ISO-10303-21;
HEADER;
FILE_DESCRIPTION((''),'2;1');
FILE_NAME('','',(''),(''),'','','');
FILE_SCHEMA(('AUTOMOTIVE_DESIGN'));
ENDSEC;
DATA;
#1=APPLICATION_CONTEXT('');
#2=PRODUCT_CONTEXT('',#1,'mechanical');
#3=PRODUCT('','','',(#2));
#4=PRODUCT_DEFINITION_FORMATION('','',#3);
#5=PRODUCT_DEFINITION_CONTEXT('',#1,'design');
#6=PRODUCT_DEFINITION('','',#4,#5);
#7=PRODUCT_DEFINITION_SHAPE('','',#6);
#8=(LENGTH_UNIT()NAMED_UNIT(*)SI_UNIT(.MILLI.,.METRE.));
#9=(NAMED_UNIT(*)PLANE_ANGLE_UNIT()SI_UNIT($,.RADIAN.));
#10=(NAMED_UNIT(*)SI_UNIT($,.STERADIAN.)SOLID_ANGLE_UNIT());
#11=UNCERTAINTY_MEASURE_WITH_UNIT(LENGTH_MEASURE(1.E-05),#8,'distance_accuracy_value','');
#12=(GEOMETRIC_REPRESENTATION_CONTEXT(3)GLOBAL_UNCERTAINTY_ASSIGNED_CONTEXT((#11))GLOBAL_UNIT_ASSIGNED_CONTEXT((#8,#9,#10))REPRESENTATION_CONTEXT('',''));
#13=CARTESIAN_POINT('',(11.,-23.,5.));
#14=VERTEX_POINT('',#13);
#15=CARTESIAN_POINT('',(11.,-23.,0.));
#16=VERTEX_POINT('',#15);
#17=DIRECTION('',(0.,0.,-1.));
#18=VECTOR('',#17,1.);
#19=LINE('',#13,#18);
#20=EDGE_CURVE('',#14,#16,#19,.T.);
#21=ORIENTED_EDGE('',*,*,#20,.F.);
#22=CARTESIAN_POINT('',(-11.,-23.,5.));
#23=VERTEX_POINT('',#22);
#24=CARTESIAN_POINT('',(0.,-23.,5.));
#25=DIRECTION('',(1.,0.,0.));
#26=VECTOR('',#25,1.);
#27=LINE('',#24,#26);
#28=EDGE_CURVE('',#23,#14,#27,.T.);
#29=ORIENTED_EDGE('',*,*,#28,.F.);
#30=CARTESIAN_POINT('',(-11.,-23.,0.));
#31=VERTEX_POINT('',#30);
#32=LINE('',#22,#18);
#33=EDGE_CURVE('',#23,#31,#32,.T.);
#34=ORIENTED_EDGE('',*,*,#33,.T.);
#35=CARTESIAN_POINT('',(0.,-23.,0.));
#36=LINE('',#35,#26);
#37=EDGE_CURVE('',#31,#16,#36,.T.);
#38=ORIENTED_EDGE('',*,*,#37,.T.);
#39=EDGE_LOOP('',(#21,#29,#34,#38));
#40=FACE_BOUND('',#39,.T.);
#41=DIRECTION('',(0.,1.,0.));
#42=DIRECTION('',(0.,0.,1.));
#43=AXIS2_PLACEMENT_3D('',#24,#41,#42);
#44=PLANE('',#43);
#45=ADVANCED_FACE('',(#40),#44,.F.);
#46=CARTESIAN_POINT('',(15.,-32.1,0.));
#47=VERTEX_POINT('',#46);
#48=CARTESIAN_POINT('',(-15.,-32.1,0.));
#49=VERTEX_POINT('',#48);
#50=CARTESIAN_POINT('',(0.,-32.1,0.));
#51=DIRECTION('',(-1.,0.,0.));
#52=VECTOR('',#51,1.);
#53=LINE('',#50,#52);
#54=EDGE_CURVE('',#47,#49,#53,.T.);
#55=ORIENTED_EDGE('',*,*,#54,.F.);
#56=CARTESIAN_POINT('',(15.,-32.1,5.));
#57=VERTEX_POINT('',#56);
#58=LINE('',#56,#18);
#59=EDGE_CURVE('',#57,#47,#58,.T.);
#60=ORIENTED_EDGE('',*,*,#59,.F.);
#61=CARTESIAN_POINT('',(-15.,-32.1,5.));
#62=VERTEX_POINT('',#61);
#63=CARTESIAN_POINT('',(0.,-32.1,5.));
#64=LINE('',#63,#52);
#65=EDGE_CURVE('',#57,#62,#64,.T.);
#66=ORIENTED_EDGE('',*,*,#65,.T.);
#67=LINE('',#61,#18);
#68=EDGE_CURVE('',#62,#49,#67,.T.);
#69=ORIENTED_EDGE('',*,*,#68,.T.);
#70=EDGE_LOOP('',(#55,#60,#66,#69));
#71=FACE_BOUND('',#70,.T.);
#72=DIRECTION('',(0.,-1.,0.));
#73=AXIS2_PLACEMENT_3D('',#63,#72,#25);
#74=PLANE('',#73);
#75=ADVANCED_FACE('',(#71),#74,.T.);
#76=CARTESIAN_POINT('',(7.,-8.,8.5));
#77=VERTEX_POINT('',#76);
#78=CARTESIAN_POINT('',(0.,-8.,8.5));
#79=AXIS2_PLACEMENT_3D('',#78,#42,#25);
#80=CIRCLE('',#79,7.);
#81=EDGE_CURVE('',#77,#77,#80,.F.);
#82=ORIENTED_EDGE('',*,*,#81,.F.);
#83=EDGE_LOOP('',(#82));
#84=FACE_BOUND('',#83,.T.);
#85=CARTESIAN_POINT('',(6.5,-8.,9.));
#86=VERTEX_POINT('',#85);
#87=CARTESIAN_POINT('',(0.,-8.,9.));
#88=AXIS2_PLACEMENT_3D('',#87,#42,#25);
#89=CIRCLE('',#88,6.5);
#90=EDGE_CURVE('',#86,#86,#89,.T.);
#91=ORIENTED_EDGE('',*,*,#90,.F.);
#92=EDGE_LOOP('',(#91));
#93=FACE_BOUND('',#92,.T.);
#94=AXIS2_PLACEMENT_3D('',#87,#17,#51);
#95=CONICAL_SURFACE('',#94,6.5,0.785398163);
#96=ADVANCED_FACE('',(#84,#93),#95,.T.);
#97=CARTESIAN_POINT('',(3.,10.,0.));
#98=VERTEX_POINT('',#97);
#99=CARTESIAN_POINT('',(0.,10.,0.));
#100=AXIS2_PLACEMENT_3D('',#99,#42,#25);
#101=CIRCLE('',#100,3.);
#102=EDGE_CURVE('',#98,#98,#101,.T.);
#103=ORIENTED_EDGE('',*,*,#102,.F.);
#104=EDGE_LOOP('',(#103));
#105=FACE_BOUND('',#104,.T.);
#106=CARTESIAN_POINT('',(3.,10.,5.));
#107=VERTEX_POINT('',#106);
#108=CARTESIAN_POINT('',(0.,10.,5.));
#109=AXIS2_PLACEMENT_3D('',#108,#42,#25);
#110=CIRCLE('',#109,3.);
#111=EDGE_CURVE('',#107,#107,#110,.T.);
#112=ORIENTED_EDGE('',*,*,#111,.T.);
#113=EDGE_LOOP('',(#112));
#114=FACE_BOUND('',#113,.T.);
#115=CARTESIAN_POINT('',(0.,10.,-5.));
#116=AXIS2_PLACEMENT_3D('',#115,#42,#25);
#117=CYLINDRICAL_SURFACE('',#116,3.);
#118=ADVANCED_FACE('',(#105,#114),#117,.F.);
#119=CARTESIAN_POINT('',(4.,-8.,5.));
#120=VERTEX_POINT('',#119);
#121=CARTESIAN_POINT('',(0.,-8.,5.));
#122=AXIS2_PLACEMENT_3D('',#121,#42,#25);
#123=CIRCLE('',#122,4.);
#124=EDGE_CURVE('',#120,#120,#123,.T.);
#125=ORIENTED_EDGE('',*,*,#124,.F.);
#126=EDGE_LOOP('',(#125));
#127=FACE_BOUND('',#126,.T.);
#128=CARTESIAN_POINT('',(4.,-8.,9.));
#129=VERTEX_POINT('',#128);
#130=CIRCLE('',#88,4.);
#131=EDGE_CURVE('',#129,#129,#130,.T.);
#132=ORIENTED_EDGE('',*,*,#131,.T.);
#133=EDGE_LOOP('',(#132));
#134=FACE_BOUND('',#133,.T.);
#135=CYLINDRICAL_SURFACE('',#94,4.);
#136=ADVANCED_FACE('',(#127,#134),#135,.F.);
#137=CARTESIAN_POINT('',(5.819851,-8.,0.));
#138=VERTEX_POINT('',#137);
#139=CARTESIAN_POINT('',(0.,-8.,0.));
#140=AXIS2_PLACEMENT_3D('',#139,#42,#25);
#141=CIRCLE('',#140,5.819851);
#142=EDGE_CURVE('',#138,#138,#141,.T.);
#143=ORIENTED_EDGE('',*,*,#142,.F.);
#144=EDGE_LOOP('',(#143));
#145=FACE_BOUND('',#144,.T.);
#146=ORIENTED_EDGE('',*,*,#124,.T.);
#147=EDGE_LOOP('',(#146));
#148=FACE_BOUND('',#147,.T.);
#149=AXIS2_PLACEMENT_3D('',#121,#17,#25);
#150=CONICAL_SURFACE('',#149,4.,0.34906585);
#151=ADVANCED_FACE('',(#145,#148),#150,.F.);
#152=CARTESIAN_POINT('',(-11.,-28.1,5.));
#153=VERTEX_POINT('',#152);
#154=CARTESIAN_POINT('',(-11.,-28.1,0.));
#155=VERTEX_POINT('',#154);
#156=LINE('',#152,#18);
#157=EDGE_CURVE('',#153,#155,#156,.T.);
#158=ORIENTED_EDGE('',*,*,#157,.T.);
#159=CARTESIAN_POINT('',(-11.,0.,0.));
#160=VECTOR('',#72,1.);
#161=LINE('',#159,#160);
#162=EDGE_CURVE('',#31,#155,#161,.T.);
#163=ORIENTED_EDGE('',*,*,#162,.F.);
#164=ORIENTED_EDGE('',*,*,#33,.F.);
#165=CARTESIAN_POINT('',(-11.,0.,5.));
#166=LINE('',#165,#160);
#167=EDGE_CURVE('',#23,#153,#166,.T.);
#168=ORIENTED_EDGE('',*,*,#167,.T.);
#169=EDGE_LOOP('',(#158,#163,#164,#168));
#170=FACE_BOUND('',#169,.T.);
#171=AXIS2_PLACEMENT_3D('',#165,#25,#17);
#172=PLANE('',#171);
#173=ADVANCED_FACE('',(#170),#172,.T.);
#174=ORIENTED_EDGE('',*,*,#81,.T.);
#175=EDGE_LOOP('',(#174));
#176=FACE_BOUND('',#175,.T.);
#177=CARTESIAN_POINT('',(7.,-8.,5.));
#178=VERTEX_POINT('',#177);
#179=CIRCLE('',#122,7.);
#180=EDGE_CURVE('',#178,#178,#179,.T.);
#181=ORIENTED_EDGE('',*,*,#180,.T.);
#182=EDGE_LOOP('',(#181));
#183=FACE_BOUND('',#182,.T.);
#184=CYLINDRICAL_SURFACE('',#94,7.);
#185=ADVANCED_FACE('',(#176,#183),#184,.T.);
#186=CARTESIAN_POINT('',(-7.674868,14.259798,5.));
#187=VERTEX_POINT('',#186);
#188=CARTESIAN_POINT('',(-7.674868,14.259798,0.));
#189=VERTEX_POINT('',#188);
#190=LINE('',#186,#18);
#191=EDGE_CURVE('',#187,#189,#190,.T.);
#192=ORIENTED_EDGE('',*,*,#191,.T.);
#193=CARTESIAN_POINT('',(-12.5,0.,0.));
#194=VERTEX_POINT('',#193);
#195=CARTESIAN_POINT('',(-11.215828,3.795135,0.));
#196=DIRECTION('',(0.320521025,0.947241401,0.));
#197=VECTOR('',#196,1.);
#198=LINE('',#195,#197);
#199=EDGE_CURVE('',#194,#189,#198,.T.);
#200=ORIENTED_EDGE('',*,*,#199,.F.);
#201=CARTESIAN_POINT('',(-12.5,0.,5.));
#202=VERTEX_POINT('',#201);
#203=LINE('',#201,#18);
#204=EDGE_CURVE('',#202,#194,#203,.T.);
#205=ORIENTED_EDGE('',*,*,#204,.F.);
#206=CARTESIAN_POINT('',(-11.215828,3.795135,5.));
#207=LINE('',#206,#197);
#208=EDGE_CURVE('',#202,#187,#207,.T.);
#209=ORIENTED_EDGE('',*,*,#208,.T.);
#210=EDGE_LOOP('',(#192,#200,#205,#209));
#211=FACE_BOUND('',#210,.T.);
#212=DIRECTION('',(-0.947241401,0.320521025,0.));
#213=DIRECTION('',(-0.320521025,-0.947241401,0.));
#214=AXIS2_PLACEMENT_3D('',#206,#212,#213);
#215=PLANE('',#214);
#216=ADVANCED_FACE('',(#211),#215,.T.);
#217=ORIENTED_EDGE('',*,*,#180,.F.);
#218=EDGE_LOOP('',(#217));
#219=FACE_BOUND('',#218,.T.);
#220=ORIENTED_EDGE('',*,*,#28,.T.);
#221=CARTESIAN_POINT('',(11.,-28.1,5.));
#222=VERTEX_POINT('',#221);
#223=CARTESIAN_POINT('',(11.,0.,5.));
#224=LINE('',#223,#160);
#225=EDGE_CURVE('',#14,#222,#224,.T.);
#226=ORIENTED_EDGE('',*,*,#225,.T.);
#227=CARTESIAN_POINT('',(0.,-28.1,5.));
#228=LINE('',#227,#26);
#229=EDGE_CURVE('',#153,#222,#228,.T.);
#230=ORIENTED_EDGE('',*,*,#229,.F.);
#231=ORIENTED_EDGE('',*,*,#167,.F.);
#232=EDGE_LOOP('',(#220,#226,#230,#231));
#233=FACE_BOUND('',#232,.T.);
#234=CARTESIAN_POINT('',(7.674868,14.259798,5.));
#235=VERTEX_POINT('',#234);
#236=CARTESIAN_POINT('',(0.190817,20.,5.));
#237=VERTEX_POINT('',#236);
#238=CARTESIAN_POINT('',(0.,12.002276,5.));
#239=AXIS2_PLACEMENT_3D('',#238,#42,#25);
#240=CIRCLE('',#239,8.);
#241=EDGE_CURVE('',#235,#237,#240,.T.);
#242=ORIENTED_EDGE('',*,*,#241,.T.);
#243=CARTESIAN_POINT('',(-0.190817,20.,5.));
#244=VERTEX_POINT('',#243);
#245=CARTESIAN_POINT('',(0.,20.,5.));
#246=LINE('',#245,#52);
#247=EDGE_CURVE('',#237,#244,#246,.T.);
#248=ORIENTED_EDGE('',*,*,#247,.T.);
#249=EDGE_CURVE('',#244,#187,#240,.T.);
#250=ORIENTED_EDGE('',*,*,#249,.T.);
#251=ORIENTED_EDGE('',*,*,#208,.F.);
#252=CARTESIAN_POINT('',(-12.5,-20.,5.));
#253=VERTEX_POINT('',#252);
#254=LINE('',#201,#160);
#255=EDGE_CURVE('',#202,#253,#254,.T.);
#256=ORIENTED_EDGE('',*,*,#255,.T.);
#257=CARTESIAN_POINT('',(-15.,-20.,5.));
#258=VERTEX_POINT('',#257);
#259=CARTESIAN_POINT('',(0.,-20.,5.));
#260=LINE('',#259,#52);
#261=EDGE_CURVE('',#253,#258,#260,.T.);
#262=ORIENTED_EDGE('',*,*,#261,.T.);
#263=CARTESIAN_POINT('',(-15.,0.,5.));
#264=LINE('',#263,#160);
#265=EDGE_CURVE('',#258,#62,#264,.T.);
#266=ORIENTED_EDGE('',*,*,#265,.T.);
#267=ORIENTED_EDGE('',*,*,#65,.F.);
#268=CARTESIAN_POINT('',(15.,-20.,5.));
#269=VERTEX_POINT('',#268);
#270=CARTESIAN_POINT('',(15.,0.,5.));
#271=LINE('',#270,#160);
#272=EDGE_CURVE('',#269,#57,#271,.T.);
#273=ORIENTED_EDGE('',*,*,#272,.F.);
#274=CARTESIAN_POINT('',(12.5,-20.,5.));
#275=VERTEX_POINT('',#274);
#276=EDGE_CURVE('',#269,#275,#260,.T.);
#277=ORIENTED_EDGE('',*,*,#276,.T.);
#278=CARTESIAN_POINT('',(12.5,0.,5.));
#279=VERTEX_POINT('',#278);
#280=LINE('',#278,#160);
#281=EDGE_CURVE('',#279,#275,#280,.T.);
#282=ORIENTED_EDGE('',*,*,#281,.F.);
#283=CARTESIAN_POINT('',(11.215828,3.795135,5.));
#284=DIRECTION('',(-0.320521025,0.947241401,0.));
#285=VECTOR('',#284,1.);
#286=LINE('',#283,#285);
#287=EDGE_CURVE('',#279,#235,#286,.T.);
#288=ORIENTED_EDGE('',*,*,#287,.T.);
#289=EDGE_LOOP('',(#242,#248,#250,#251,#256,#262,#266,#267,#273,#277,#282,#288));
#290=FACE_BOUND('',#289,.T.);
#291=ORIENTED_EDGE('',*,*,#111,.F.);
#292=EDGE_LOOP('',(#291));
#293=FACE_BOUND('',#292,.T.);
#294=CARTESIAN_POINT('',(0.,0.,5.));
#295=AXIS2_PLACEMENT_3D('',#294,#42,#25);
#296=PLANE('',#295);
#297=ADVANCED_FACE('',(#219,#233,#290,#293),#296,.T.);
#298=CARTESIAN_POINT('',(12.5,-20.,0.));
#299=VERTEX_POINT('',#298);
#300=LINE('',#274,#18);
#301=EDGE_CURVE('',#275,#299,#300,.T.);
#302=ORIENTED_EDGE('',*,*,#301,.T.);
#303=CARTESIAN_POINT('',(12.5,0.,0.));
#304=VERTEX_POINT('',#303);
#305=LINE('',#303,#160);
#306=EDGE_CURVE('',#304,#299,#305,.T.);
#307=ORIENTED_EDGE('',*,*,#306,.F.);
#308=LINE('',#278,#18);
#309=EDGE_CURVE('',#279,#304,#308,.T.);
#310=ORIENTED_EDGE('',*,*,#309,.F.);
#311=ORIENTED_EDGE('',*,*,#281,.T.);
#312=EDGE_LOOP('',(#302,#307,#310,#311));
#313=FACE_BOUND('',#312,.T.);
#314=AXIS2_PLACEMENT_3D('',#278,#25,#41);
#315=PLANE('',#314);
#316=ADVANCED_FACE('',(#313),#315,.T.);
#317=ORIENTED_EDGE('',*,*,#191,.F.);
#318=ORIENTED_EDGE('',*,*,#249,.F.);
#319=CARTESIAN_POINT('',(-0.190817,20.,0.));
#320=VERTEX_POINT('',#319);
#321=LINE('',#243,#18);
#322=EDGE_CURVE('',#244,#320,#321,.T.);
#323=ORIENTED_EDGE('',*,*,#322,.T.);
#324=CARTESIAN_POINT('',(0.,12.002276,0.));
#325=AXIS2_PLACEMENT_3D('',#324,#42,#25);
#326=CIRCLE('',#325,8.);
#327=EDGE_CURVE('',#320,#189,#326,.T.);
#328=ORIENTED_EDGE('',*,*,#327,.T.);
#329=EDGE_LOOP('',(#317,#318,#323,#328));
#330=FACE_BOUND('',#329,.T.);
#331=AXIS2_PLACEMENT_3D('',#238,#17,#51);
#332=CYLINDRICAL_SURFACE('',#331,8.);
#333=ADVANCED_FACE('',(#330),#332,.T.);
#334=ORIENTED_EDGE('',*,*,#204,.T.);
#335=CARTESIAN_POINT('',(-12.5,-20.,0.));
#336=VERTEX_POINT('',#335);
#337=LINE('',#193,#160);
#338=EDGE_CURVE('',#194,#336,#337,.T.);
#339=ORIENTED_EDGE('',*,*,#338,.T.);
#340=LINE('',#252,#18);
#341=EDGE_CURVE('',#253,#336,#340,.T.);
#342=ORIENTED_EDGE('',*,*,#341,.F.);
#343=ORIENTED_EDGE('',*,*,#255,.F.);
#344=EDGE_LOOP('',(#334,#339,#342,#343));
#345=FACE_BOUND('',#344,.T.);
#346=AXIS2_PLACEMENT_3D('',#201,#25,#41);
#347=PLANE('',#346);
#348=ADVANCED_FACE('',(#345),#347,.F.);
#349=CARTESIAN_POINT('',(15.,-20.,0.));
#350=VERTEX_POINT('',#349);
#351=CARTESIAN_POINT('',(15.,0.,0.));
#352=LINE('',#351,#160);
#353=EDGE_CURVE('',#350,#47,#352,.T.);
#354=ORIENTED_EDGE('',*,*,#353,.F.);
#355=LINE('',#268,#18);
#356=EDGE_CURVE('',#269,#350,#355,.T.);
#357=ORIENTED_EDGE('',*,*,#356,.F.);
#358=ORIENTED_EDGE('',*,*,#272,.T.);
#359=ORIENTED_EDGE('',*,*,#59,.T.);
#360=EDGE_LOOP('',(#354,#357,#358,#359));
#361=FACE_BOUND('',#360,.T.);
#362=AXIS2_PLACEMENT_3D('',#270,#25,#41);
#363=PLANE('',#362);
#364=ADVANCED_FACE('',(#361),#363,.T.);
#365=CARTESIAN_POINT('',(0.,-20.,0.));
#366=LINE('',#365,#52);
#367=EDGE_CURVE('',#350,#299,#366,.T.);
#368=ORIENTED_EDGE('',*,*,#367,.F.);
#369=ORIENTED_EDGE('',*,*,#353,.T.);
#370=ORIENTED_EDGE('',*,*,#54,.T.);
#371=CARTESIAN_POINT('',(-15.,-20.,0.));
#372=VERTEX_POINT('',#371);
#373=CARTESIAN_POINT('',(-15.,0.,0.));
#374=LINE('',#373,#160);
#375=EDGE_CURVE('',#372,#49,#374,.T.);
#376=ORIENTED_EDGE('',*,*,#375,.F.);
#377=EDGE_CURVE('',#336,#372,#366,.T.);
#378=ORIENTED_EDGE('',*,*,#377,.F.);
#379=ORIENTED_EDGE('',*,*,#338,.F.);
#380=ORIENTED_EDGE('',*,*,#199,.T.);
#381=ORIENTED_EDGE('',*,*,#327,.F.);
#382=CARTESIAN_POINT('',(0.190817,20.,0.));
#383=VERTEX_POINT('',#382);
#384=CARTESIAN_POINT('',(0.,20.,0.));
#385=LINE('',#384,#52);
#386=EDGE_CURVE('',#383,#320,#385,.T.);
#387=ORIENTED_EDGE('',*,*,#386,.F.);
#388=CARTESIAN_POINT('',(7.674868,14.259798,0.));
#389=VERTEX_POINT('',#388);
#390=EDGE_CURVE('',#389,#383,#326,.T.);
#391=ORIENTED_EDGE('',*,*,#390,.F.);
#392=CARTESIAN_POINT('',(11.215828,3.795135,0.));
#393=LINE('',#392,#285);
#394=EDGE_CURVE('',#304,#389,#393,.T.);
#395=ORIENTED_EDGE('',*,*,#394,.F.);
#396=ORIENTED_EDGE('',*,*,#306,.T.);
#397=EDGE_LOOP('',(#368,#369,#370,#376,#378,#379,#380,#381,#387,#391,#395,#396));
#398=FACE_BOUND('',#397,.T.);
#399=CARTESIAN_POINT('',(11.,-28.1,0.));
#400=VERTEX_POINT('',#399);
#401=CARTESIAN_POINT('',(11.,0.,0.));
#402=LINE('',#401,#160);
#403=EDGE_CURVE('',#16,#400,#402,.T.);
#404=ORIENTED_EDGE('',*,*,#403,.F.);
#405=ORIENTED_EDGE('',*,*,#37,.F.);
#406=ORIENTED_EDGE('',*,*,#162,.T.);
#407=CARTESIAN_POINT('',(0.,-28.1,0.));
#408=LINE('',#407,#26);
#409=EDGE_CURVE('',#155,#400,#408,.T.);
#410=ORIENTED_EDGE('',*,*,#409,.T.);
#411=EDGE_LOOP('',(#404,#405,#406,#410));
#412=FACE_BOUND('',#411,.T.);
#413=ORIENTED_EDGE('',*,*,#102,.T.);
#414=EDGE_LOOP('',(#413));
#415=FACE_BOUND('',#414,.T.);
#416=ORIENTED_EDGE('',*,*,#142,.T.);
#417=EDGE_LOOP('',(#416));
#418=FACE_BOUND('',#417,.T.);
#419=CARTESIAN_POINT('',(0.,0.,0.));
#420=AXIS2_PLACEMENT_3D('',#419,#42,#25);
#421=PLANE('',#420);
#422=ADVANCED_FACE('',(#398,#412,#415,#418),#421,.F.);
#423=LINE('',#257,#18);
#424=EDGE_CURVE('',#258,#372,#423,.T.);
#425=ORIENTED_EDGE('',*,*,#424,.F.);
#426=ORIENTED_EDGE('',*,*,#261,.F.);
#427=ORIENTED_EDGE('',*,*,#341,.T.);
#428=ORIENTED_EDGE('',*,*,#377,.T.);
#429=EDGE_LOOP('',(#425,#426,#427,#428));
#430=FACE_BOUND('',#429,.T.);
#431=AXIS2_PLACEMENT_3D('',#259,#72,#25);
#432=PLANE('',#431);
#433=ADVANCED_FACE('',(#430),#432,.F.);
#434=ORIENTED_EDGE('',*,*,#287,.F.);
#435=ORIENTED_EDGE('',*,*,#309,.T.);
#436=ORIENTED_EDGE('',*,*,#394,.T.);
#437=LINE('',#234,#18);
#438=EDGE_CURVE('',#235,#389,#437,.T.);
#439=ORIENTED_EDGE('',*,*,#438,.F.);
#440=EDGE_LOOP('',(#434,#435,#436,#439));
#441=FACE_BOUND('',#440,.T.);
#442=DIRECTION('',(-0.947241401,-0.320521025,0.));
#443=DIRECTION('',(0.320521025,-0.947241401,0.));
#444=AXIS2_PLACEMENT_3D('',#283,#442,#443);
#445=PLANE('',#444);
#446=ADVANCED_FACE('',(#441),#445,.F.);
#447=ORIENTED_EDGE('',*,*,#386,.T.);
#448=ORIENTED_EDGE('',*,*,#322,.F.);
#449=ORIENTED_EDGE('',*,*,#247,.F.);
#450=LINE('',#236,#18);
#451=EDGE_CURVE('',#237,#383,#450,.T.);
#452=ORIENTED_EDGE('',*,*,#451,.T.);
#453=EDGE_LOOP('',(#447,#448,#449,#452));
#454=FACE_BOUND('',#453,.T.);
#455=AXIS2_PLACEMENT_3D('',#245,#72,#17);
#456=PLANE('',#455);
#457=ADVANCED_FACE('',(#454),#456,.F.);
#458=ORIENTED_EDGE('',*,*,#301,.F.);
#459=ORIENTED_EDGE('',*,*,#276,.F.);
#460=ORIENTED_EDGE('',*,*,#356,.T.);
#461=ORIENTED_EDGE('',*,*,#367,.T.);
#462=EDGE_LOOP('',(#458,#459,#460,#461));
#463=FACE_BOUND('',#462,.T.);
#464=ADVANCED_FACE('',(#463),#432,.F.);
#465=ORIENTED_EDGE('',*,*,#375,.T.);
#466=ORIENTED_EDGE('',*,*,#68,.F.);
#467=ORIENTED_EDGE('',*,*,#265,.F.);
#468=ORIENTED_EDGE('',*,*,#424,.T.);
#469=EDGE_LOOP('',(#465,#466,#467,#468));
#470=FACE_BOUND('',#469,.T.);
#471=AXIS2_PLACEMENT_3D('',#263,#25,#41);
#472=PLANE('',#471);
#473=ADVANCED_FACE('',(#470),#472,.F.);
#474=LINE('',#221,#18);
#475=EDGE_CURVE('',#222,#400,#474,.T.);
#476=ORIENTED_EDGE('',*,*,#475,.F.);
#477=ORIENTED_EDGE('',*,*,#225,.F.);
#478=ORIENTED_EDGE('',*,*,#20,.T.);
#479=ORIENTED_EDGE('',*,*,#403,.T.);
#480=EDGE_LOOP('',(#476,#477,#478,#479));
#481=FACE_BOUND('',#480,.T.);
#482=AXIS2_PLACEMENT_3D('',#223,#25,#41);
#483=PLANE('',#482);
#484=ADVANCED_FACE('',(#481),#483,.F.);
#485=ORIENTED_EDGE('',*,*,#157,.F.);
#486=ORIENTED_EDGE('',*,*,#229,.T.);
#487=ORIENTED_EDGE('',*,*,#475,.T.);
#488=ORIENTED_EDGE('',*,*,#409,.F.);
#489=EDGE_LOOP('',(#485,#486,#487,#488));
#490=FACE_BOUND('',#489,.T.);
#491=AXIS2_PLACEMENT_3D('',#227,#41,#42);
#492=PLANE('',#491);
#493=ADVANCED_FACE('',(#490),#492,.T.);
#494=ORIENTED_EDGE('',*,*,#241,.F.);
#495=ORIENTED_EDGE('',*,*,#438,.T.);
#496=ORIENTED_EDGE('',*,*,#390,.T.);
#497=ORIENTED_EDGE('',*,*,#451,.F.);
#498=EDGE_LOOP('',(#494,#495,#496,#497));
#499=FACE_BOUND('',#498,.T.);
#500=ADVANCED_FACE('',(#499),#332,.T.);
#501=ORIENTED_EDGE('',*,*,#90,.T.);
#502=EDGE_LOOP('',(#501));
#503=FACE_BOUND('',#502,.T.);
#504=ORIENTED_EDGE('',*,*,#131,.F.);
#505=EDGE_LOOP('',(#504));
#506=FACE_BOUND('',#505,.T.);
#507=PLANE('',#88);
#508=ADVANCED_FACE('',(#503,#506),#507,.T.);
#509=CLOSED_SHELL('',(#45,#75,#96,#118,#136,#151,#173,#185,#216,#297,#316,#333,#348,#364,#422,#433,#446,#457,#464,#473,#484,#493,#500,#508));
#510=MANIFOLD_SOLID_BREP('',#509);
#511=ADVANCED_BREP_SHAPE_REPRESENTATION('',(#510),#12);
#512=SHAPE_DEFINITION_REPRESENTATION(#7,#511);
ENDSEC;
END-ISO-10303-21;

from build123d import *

# Parameters (mm, degrees)
SKETCH_1_W          = 4
SKETCH_1_H          = 5.1
EXTRUDE_1_DEPTH     = 5
SKETCH_2_R          = 3
CUT_EXTRUDE_1_DEPTH = 10
SKETCH_3_R          = 7
SKETCH_3_R_2        = 4
EXTRUDE_2_DEPTH     = 4
CHAMFER_1_SIZE      = 0.5
SKETCH_4_R          = 4
CUT_EXTRUDE_2_DEPTH = 10
CUT_EXTRUDE_2_DRAFT = 20


with BuildPart() as part:
    # Эскиз1 → Бобышка-Вытянуть1 (new body)
    with BuildSketch(Plane.XY):
        with BuildLine():
            ThreePointArc((7.674867745, 14.259797906), (4.86875016, 18.350131705), (0.190816738, 20))
            Line((0.190816738, 20), (-0.190816738, 20))
            ThreePointArc((-0.190816738, 20), (-4.86875016, 18.350131705), (-7.674867745, 14.259797906))
            Line((-7.674867745, 14.259797906), (-12.5, 0))
            Line((-12.5, 0), (-12.5, -20))
            Line((-12.5, -20), (12.5, -20))
            Line((12.5, -20), (12.5, 0))
            Line((12.5, 0), (7.674867745, 14.259797906))
        make_face()
        Polygon((15, -32.1), (15, -28.1), (11, -28.1), (-11, -28.1), (-15, -28.1), (-15, -32.1), align=None)
        with Locations((13, -25.55)):
            Rectangle(SKETCH_1_W, SKETCH_1_H)
        Polygon((15, -20), (12.5, -20), (-12.5, -20), (-15, -20), (-15, -23), (-11, -23), (11, -23), (15, -23), align=None)
        with Locations((-13, -25.55)):
            Rectangle(SKETCH_1_W, SKETCH_1_H)
    extrude(amount=EXTRUDE_1_DEPTH)

    # Эскиз2 → Вырез-Вытянуть1 (cut)
    with BuildSketch(Plane.XY.offset(5)):
        with Locations((0, 10)):
            Circle(SKETCH_2_R)
    extrude(amount=-CUT_EXTRUDE_1_DEPTH, mode=Mode.SUBTRACT)

    # Эскиз3 → Бобышка-Вытянуть2 (add)
    with BuildSketch(Plane.XY.offset(5)):
        with Locations((0, -8)):
            Circle(SKETCH_3_R)
        with Locations((0, -8)):
            Circle(SKETCH_3_R_2, mode=Mode.SUBTRACT)
    extrude(amount=EXTRUDE_2_DEPTH)

    # Фаска1
    chamfer_1_edges = [part.edges().sort_by_distance(p)[0] for p in [
        (-7, -8, 9),
    ]]
    chamfer(chamfer_1_edges, length=CHAMFER_1_SIZE)


with BuildPart() as cut_extrude_2_tool:
    # Эскиз4 → Вырез-Вытянуть2 (with draft: the straight prism first)
    with BuildSketch(Plane.XY.offset(5)):
        with Locations((0, -8)):
            Circle(SKETCH_4_R)
    extrude(amount=-CUT_EXTRUDE_2_DEPTH)
    # Вырез-Вытянуть2: the draft: its side faces are tilted about the plane it starts from
    cut_extrude_2_sides = [cut_extrude_2_tool.faces().sort_by_distance(p)[0] for p in [
        (-4, -8, 0),
    ]]
    draft(cut_extrude_2_sides, Plane.XY.offset(5), CUT_EXTRUDE_2_DRAFT)


with BuildPart() as part_1:
    add(part.part)

    # Вырез-Вытянуть2: cut by cut_extrude_2_tool
    add(cut_extrude_2_tool.part, mode=Mode.SUBTRACT)


solid = part_1.part
